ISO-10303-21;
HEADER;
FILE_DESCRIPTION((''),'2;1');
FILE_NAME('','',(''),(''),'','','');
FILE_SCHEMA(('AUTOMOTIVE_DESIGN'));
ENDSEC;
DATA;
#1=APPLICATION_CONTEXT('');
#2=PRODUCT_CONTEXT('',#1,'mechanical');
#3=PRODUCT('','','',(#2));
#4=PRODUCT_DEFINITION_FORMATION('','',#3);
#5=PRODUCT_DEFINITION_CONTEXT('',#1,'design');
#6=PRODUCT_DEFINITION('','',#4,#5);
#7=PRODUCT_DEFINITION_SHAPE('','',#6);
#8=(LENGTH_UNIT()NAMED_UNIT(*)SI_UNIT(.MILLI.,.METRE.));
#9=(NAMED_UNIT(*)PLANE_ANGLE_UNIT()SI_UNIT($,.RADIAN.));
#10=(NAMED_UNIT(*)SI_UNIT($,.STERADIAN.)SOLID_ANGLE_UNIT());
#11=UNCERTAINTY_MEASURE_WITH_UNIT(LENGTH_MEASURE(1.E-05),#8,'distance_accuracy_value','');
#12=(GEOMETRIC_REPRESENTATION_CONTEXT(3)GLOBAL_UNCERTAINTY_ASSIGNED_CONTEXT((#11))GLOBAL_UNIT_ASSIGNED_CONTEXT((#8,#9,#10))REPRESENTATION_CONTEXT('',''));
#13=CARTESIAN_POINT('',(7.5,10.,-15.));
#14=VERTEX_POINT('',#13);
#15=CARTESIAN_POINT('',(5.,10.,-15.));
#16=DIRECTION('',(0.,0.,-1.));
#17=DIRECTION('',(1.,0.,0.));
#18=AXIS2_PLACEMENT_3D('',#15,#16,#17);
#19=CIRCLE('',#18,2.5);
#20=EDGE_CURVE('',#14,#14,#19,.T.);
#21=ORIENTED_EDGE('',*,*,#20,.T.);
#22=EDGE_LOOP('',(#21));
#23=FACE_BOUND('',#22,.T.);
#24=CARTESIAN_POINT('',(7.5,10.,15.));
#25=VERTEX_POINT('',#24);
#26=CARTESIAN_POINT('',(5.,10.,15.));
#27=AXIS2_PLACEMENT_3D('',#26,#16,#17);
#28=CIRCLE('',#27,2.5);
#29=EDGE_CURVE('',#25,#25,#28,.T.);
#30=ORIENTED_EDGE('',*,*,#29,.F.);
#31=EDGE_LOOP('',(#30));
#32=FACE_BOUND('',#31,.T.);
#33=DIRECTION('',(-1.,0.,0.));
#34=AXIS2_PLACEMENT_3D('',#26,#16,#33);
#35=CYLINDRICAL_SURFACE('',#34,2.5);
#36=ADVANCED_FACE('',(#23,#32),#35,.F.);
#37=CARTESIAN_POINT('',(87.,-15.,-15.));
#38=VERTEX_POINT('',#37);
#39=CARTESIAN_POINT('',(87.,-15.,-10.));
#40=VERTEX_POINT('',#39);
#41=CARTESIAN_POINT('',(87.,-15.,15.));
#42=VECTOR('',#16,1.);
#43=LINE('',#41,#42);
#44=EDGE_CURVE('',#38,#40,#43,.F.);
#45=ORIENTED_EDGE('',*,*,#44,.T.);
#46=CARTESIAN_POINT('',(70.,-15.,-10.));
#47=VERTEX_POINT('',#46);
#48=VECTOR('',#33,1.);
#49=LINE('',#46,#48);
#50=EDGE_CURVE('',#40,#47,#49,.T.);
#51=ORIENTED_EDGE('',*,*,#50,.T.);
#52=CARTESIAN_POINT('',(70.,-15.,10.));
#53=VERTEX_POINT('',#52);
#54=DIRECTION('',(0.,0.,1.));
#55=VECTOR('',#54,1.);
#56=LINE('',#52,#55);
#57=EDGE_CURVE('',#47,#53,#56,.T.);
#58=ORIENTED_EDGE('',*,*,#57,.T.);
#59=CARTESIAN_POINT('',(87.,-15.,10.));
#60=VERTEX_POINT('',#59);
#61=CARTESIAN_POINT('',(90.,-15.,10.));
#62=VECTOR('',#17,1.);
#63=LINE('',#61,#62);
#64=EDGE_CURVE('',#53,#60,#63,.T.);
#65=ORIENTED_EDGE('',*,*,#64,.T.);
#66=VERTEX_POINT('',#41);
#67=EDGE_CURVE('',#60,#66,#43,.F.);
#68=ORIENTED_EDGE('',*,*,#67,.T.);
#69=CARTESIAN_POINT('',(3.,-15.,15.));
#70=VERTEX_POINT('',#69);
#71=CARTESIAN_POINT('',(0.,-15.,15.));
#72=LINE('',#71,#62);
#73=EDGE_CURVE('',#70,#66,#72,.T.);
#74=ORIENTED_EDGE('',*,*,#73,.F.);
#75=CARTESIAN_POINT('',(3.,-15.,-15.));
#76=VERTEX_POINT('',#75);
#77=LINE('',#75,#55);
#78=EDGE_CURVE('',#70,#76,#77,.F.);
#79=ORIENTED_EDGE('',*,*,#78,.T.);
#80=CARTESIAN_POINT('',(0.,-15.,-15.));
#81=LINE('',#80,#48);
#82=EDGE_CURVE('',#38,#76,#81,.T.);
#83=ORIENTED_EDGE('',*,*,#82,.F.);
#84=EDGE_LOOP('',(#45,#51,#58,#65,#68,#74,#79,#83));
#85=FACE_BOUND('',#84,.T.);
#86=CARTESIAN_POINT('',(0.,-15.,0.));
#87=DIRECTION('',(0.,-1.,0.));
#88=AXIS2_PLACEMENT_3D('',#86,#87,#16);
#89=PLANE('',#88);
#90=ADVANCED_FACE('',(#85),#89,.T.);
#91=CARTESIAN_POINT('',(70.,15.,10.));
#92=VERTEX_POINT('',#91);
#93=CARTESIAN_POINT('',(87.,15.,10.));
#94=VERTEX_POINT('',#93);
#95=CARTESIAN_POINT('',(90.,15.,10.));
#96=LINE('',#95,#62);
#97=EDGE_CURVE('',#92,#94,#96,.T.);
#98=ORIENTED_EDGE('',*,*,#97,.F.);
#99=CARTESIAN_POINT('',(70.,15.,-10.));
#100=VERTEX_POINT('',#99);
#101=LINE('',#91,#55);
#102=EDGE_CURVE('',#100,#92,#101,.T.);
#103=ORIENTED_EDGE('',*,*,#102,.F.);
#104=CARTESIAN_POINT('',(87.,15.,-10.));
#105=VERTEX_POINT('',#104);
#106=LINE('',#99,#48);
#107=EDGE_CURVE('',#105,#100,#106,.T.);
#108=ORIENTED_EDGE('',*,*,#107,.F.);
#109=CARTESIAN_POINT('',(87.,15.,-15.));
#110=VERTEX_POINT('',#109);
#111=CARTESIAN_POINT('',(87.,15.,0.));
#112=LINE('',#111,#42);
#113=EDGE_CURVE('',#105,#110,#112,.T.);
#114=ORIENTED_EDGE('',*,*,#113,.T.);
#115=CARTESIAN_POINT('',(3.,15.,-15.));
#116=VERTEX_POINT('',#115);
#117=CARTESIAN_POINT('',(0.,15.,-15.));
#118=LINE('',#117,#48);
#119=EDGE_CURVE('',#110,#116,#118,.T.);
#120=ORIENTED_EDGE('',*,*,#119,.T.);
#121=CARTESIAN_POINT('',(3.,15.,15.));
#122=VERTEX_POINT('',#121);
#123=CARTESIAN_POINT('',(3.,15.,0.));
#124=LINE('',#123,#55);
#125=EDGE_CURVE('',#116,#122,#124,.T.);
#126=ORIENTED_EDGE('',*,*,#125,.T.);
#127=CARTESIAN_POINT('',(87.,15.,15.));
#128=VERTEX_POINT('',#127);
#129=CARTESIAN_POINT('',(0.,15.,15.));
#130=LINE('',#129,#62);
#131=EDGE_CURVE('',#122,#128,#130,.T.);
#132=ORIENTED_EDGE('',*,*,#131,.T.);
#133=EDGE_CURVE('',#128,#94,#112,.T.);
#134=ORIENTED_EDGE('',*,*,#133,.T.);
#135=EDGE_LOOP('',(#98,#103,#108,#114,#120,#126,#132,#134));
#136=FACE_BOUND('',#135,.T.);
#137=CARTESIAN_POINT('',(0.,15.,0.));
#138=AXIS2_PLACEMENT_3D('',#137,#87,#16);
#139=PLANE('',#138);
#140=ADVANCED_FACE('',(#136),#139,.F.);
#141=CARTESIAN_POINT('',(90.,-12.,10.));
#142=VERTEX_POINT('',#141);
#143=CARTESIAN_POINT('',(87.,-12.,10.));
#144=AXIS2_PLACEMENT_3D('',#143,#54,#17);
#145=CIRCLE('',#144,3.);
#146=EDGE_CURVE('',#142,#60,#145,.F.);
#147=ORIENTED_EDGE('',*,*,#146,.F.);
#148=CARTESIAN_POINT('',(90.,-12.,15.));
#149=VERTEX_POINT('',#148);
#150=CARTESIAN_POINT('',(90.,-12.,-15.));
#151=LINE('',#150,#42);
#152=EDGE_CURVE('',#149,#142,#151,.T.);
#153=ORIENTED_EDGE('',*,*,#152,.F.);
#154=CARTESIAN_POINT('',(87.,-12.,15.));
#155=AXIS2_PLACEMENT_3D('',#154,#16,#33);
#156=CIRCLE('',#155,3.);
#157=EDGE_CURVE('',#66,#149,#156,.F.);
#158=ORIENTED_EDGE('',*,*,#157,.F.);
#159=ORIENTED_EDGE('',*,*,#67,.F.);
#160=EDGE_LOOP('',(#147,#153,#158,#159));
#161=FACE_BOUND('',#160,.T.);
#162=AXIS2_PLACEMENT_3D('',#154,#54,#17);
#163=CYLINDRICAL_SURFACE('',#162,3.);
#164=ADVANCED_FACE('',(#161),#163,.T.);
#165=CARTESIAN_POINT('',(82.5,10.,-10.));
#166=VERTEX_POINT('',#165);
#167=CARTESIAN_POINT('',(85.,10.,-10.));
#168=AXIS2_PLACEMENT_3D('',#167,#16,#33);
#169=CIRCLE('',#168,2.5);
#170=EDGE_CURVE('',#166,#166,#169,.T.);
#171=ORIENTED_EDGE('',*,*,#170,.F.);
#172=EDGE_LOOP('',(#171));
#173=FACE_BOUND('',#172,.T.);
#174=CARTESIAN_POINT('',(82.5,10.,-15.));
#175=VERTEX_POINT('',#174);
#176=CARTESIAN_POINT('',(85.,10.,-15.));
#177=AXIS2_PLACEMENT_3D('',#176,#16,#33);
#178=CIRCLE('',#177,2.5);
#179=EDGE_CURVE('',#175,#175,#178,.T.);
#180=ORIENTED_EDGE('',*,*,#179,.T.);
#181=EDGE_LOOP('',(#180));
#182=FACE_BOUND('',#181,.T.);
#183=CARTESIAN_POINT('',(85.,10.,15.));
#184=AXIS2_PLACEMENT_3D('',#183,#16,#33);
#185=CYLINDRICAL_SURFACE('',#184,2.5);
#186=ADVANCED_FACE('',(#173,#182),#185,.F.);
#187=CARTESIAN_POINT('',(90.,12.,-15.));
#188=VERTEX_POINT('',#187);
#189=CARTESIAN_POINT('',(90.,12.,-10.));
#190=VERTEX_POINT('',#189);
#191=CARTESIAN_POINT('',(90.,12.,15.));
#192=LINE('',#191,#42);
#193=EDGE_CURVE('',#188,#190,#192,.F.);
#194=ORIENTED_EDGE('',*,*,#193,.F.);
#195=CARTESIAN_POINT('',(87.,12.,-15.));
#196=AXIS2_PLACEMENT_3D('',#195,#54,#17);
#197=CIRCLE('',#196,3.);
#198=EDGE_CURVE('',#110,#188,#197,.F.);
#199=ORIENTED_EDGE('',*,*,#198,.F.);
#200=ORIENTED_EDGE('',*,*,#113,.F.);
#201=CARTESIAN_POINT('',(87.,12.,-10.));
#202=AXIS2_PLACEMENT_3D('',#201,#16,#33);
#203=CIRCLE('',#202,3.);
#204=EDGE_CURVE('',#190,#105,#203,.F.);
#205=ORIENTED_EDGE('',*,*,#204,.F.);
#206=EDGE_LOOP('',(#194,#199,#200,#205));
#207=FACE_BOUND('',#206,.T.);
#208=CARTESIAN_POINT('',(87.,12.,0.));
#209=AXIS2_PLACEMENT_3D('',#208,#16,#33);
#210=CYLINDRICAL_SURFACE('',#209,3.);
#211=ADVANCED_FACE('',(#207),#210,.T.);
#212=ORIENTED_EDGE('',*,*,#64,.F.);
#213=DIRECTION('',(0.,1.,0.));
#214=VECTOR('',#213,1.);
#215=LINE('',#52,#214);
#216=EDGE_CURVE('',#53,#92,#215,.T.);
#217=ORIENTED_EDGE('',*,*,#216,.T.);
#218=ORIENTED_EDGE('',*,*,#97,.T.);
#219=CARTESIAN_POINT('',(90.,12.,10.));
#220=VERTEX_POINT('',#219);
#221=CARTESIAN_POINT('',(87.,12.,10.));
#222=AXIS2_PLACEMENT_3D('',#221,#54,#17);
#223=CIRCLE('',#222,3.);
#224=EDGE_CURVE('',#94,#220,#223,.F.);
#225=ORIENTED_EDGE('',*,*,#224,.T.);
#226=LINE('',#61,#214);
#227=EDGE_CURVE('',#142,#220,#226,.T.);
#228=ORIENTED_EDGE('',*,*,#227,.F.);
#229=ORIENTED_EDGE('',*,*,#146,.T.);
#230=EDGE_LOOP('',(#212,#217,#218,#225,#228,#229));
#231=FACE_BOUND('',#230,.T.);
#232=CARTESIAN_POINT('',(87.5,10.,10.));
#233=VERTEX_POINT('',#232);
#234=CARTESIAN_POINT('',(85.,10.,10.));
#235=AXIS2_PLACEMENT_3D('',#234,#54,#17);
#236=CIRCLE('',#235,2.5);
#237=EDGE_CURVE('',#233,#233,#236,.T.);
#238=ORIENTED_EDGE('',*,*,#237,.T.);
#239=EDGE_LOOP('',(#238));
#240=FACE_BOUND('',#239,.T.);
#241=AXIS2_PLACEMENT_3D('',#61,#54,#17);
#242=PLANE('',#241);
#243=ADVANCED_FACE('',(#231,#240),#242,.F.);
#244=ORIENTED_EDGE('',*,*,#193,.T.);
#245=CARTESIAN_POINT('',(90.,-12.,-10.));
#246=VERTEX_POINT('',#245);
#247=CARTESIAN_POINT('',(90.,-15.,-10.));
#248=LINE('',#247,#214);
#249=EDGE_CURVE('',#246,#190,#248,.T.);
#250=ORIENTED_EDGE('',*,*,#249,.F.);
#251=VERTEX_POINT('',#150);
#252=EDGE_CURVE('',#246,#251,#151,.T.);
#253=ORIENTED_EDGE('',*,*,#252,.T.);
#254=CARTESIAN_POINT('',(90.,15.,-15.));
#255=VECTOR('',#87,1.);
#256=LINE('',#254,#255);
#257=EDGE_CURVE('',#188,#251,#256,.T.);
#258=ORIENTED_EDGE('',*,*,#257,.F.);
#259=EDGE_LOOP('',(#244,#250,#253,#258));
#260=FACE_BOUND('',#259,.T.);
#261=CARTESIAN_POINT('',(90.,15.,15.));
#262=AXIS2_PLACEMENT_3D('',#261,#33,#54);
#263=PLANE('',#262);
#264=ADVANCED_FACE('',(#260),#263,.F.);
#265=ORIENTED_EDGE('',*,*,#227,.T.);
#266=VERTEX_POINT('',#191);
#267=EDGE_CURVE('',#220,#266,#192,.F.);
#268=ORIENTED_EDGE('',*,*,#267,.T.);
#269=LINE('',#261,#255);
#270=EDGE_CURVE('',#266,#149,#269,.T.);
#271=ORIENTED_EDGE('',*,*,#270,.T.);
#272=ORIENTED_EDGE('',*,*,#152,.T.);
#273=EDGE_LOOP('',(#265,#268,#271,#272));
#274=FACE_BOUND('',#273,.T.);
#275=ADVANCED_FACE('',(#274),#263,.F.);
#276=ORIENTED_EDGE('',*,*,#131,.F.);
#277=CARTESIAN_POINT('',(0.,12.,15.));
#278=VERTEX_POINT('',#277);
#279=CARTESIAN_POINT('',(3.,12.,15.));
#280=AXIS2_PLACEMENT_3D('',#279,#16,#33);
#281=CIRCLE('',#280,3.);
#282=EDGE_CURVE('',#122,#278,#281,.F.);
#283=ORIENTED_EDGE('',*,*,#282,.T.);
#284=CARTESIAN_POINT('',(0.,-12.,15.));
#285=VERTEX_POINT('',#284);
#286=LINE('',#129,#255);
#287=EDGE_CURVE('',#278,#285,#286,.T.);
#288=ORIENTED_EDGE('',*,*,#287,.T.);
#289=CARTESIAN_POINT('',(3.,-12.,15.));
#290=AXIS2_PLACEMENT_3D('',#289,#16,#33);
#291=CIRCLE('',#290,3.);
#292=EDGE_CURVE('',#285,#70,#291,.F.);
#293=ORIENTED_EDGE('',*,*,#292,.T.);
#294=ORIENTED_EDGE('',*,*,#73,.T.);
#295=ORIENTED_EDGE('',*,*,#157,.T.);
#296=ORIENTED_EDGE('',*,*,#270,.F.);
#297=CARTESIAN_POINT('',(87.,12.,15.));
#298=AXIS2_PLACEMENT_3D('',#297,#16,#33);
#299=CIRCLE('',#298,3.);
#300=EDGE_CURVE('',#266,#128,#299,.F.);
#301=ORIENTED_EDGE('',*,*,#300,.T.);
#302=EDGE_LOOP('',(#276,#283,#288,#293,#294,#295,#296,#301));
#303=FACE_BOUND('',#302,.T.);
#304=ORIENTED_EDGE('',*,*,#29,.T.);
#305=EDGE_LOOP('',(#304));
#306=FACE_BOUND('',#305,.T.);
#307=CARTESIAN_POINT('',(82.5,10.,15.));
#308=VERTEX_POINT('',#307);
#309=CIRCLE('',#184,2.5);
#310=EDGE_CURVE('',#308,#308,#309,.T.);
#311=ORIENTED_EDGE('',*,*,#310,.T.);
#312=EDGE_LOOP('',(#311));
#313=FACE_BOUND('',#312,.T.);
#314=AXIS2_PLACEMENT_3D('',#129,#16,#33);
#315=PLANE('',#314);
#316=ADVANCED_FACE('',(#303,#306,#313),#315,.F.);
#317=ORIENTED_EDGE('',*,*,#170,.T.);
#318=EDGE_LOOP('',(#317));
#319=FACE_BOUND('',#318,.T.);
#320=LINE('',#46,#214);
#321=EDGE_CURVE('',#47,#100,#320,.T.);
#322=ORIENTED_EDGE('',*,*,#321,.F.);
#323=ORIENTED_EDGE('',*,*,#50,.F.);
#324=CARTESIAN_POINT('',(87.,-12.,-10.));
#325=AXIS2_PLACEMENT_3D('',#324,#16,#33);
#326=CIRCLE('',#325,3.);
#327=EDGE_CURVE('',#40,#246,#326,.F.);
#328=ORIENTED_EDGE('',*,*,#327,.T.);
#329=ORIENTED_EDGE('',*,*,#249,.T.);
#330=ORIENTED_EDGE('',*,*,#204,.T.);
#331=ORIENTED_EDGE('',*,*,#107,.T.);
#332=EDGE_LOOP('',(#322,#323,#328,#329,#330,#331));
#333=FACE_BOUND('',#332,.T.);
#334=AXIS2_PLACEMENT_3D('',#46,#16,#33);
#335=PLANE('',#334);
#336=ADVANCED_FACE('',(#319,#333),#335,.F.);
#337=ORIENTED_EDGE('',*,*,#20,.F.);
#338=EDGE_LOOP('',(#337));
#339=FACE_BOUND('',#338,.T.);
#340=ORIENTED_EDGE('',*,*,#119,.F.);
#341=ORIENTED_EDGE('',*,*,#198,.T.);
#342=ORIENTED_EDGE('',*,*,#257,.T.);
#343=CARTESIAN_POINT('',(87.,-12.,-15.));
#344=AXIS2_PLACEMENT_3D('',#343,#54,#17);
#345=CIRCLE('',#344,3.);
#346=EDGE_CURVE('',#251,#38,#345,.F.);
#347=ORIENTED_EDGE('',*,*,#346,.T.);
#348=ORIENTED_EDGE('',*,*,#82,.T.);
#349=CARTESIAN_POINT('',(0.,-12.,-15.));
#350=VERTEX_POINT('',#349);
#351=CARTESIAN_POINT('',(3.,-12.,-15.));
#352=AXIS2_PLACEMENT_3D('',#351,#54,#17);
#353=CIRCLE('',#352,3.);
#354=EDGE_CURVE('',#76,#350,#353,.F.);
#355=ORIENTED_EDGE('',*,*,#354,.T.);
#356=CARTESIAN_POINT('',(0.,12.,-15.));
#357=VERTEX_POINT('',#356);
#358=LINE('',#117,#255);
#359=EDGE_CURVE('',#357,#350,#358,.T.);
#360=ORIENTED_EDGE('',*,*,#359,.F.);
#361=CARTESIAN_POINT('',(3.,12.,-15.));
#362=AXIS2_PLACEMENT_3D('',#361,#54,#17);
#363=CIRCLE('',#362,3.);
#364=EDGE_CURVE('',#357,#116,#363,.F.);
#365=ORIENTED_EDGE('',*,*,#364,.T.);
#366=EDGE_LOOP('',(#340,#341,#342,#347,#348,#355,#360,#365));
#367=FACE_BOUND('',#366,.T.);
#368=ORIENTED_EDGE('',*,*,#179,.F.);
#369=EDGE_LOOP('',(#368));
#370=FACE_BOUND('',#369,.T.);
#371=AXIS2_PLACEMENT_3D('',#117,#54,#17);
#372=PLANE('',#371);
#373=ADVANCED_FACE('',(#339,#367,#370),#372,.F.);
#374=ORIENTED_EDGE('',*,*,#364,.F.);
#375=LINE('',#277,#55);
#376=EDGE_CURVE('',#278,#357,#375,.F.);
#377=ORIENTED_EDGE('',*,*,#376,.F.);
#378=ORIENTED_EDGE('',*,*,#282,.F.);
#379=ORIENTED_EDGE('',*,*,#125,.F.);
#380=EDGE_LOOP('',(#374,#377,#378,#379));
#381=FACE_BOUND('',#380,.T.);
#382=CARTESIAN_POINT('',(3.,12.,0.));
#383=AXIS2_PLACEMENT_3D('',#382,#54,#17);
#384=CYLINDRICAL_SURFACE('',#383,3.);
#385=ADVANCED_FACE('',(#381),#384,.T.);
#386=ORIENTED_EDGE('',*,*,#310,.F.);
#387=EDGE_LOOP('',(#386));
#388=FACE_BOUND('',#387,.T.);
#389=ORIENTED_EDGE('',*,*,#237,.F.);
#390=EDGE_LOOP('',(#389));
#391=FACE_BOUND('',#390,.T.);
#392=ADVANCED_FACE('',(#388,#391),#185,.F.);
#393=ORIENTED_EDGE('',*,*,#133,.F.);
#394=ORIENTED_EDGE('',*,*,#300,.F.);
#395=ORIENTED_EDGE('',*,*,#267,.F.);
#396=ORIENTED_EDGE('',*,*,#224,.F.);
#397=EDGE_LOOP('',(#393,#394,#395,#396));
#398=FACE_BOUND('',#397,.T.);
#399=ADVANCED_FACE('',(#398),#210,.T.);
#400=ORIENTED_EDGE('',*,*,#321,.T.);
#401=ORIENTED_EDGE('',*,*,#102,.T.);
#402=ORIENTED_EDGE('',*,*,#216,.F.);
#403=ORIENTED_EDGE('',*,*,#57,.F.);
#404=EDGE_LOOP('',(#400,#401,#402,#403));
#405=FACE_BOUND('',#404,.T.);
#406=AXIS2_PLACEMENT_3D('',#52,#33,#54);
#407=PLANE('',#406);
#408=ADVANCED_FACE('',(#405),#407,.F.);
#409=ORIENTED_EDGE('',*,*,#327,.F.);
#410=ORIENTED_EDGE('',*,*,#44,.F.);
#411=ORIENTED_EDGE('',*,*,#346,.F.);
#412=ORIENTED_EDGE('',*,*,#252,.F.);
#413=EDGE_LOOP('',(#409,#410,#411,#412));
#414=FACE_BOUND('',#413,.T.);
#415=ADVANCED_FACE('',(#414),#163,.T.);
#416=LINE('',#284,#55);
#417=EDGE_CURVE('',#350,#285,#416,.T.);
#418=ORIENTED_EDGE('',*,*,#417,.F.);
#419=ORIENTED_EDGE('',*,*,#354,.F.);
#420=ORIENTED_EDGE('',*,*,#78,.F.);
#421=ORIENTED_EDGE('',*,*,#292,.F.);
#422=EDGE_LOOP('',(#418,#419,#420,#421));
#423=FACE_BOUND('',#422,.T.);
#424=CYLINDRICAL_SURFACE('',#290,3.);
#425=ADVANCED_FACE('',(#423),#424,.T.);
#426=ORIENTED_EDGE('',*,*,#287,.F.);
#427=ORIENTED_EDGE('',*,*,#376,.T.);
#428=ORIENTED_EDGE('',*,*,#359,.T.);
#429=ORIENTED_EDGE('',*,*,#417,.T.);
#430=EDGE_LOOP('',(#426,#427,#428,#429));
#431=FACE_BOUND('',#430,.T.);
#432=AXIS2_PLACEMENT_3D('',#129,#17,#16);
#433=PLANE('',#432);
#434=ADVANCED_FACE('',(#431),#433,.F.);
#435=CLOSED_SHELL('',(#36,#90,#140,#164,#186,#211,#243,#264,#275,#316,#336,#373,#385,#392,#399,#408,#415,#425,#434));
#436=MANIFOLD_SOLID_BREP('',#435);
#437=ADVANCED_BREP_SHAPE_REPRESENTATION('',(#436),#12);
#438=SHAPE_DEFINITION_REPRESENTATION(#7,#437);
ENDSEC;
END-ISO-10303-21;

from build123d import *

# Parameters (mm, degrees)
ESQUISSE2_W             = 90
ESQUISSE2_H             = 30
BOSS_EXTRU_1_DEPTH      = 15
CONG_1_R                = 3
ESQUISSE4_W             = 20
ESQUISSE4_H             = 20
ENL_V_MAT_EXTRU_1_DEPTH = 31
ESQUISSE5_R             = 2.5
ENL_V_MAT_EXTRU_2_DEPTH = 31


with BuildPart() as part:
    # Esquisse2 → Boss.-Extru.1 (new body, symmetric)
    with BuildSketch(Plane(origin=(0, 0, 0), x_dir=(1, 0, 0), z_dir=(0, 1, 0))):
        with Locations((45, 0)):
            Rectangle(ESQUISSE2_W, ESQUISSE2_H)
    extrude(amount=BOSS_EXTRU_1_DEPTH, both=True)

    # Congé1
    cong_1_edges = [part.edges().sort_by_distance(p)[0] for p in [
        (90, 15, 0),
        (0, 15, 0),
        (90, -15, 0),
        (0, -15, 0),
    ]]
    fillet(cong_1_edges, radius=CONG_1_R)

    # Esquisse4 → Enlèv. mat.-Extru.1 (cut, through all)
    with BuildSketch(Plane(origin=(0, 15, 0), x_dir=(1, 0, 0), z_dir=(0, 1, 0))):
        with Locations((80, 0)):
            Rectangle(ESQUISSE4_W, ESQUISSE4_H)
    extrude(amount=-ENL_V_MAT_EXTRU_1_DEPTH, mode=Mode.SUBTRACT)

    # Esquisse5 → Enlèv. mat.-Extru.2 (cut, through all)
    with BuildSketch(Plane(origin=(0, 0, -15), x_dir=(-1, 0, 0), z_dir=(0, 0, -1))):
        with Locations((-85, 10)):
            Circle(ESQUISSE5_R)
        with Locations((-5, 10)):
            Circle(ESQUISSE5_R)
    extrude(amount=-ENL_V_MAT_EXTRU_2_DEPTH, mode=Mode.SUBTRACT)


solid = part.part
